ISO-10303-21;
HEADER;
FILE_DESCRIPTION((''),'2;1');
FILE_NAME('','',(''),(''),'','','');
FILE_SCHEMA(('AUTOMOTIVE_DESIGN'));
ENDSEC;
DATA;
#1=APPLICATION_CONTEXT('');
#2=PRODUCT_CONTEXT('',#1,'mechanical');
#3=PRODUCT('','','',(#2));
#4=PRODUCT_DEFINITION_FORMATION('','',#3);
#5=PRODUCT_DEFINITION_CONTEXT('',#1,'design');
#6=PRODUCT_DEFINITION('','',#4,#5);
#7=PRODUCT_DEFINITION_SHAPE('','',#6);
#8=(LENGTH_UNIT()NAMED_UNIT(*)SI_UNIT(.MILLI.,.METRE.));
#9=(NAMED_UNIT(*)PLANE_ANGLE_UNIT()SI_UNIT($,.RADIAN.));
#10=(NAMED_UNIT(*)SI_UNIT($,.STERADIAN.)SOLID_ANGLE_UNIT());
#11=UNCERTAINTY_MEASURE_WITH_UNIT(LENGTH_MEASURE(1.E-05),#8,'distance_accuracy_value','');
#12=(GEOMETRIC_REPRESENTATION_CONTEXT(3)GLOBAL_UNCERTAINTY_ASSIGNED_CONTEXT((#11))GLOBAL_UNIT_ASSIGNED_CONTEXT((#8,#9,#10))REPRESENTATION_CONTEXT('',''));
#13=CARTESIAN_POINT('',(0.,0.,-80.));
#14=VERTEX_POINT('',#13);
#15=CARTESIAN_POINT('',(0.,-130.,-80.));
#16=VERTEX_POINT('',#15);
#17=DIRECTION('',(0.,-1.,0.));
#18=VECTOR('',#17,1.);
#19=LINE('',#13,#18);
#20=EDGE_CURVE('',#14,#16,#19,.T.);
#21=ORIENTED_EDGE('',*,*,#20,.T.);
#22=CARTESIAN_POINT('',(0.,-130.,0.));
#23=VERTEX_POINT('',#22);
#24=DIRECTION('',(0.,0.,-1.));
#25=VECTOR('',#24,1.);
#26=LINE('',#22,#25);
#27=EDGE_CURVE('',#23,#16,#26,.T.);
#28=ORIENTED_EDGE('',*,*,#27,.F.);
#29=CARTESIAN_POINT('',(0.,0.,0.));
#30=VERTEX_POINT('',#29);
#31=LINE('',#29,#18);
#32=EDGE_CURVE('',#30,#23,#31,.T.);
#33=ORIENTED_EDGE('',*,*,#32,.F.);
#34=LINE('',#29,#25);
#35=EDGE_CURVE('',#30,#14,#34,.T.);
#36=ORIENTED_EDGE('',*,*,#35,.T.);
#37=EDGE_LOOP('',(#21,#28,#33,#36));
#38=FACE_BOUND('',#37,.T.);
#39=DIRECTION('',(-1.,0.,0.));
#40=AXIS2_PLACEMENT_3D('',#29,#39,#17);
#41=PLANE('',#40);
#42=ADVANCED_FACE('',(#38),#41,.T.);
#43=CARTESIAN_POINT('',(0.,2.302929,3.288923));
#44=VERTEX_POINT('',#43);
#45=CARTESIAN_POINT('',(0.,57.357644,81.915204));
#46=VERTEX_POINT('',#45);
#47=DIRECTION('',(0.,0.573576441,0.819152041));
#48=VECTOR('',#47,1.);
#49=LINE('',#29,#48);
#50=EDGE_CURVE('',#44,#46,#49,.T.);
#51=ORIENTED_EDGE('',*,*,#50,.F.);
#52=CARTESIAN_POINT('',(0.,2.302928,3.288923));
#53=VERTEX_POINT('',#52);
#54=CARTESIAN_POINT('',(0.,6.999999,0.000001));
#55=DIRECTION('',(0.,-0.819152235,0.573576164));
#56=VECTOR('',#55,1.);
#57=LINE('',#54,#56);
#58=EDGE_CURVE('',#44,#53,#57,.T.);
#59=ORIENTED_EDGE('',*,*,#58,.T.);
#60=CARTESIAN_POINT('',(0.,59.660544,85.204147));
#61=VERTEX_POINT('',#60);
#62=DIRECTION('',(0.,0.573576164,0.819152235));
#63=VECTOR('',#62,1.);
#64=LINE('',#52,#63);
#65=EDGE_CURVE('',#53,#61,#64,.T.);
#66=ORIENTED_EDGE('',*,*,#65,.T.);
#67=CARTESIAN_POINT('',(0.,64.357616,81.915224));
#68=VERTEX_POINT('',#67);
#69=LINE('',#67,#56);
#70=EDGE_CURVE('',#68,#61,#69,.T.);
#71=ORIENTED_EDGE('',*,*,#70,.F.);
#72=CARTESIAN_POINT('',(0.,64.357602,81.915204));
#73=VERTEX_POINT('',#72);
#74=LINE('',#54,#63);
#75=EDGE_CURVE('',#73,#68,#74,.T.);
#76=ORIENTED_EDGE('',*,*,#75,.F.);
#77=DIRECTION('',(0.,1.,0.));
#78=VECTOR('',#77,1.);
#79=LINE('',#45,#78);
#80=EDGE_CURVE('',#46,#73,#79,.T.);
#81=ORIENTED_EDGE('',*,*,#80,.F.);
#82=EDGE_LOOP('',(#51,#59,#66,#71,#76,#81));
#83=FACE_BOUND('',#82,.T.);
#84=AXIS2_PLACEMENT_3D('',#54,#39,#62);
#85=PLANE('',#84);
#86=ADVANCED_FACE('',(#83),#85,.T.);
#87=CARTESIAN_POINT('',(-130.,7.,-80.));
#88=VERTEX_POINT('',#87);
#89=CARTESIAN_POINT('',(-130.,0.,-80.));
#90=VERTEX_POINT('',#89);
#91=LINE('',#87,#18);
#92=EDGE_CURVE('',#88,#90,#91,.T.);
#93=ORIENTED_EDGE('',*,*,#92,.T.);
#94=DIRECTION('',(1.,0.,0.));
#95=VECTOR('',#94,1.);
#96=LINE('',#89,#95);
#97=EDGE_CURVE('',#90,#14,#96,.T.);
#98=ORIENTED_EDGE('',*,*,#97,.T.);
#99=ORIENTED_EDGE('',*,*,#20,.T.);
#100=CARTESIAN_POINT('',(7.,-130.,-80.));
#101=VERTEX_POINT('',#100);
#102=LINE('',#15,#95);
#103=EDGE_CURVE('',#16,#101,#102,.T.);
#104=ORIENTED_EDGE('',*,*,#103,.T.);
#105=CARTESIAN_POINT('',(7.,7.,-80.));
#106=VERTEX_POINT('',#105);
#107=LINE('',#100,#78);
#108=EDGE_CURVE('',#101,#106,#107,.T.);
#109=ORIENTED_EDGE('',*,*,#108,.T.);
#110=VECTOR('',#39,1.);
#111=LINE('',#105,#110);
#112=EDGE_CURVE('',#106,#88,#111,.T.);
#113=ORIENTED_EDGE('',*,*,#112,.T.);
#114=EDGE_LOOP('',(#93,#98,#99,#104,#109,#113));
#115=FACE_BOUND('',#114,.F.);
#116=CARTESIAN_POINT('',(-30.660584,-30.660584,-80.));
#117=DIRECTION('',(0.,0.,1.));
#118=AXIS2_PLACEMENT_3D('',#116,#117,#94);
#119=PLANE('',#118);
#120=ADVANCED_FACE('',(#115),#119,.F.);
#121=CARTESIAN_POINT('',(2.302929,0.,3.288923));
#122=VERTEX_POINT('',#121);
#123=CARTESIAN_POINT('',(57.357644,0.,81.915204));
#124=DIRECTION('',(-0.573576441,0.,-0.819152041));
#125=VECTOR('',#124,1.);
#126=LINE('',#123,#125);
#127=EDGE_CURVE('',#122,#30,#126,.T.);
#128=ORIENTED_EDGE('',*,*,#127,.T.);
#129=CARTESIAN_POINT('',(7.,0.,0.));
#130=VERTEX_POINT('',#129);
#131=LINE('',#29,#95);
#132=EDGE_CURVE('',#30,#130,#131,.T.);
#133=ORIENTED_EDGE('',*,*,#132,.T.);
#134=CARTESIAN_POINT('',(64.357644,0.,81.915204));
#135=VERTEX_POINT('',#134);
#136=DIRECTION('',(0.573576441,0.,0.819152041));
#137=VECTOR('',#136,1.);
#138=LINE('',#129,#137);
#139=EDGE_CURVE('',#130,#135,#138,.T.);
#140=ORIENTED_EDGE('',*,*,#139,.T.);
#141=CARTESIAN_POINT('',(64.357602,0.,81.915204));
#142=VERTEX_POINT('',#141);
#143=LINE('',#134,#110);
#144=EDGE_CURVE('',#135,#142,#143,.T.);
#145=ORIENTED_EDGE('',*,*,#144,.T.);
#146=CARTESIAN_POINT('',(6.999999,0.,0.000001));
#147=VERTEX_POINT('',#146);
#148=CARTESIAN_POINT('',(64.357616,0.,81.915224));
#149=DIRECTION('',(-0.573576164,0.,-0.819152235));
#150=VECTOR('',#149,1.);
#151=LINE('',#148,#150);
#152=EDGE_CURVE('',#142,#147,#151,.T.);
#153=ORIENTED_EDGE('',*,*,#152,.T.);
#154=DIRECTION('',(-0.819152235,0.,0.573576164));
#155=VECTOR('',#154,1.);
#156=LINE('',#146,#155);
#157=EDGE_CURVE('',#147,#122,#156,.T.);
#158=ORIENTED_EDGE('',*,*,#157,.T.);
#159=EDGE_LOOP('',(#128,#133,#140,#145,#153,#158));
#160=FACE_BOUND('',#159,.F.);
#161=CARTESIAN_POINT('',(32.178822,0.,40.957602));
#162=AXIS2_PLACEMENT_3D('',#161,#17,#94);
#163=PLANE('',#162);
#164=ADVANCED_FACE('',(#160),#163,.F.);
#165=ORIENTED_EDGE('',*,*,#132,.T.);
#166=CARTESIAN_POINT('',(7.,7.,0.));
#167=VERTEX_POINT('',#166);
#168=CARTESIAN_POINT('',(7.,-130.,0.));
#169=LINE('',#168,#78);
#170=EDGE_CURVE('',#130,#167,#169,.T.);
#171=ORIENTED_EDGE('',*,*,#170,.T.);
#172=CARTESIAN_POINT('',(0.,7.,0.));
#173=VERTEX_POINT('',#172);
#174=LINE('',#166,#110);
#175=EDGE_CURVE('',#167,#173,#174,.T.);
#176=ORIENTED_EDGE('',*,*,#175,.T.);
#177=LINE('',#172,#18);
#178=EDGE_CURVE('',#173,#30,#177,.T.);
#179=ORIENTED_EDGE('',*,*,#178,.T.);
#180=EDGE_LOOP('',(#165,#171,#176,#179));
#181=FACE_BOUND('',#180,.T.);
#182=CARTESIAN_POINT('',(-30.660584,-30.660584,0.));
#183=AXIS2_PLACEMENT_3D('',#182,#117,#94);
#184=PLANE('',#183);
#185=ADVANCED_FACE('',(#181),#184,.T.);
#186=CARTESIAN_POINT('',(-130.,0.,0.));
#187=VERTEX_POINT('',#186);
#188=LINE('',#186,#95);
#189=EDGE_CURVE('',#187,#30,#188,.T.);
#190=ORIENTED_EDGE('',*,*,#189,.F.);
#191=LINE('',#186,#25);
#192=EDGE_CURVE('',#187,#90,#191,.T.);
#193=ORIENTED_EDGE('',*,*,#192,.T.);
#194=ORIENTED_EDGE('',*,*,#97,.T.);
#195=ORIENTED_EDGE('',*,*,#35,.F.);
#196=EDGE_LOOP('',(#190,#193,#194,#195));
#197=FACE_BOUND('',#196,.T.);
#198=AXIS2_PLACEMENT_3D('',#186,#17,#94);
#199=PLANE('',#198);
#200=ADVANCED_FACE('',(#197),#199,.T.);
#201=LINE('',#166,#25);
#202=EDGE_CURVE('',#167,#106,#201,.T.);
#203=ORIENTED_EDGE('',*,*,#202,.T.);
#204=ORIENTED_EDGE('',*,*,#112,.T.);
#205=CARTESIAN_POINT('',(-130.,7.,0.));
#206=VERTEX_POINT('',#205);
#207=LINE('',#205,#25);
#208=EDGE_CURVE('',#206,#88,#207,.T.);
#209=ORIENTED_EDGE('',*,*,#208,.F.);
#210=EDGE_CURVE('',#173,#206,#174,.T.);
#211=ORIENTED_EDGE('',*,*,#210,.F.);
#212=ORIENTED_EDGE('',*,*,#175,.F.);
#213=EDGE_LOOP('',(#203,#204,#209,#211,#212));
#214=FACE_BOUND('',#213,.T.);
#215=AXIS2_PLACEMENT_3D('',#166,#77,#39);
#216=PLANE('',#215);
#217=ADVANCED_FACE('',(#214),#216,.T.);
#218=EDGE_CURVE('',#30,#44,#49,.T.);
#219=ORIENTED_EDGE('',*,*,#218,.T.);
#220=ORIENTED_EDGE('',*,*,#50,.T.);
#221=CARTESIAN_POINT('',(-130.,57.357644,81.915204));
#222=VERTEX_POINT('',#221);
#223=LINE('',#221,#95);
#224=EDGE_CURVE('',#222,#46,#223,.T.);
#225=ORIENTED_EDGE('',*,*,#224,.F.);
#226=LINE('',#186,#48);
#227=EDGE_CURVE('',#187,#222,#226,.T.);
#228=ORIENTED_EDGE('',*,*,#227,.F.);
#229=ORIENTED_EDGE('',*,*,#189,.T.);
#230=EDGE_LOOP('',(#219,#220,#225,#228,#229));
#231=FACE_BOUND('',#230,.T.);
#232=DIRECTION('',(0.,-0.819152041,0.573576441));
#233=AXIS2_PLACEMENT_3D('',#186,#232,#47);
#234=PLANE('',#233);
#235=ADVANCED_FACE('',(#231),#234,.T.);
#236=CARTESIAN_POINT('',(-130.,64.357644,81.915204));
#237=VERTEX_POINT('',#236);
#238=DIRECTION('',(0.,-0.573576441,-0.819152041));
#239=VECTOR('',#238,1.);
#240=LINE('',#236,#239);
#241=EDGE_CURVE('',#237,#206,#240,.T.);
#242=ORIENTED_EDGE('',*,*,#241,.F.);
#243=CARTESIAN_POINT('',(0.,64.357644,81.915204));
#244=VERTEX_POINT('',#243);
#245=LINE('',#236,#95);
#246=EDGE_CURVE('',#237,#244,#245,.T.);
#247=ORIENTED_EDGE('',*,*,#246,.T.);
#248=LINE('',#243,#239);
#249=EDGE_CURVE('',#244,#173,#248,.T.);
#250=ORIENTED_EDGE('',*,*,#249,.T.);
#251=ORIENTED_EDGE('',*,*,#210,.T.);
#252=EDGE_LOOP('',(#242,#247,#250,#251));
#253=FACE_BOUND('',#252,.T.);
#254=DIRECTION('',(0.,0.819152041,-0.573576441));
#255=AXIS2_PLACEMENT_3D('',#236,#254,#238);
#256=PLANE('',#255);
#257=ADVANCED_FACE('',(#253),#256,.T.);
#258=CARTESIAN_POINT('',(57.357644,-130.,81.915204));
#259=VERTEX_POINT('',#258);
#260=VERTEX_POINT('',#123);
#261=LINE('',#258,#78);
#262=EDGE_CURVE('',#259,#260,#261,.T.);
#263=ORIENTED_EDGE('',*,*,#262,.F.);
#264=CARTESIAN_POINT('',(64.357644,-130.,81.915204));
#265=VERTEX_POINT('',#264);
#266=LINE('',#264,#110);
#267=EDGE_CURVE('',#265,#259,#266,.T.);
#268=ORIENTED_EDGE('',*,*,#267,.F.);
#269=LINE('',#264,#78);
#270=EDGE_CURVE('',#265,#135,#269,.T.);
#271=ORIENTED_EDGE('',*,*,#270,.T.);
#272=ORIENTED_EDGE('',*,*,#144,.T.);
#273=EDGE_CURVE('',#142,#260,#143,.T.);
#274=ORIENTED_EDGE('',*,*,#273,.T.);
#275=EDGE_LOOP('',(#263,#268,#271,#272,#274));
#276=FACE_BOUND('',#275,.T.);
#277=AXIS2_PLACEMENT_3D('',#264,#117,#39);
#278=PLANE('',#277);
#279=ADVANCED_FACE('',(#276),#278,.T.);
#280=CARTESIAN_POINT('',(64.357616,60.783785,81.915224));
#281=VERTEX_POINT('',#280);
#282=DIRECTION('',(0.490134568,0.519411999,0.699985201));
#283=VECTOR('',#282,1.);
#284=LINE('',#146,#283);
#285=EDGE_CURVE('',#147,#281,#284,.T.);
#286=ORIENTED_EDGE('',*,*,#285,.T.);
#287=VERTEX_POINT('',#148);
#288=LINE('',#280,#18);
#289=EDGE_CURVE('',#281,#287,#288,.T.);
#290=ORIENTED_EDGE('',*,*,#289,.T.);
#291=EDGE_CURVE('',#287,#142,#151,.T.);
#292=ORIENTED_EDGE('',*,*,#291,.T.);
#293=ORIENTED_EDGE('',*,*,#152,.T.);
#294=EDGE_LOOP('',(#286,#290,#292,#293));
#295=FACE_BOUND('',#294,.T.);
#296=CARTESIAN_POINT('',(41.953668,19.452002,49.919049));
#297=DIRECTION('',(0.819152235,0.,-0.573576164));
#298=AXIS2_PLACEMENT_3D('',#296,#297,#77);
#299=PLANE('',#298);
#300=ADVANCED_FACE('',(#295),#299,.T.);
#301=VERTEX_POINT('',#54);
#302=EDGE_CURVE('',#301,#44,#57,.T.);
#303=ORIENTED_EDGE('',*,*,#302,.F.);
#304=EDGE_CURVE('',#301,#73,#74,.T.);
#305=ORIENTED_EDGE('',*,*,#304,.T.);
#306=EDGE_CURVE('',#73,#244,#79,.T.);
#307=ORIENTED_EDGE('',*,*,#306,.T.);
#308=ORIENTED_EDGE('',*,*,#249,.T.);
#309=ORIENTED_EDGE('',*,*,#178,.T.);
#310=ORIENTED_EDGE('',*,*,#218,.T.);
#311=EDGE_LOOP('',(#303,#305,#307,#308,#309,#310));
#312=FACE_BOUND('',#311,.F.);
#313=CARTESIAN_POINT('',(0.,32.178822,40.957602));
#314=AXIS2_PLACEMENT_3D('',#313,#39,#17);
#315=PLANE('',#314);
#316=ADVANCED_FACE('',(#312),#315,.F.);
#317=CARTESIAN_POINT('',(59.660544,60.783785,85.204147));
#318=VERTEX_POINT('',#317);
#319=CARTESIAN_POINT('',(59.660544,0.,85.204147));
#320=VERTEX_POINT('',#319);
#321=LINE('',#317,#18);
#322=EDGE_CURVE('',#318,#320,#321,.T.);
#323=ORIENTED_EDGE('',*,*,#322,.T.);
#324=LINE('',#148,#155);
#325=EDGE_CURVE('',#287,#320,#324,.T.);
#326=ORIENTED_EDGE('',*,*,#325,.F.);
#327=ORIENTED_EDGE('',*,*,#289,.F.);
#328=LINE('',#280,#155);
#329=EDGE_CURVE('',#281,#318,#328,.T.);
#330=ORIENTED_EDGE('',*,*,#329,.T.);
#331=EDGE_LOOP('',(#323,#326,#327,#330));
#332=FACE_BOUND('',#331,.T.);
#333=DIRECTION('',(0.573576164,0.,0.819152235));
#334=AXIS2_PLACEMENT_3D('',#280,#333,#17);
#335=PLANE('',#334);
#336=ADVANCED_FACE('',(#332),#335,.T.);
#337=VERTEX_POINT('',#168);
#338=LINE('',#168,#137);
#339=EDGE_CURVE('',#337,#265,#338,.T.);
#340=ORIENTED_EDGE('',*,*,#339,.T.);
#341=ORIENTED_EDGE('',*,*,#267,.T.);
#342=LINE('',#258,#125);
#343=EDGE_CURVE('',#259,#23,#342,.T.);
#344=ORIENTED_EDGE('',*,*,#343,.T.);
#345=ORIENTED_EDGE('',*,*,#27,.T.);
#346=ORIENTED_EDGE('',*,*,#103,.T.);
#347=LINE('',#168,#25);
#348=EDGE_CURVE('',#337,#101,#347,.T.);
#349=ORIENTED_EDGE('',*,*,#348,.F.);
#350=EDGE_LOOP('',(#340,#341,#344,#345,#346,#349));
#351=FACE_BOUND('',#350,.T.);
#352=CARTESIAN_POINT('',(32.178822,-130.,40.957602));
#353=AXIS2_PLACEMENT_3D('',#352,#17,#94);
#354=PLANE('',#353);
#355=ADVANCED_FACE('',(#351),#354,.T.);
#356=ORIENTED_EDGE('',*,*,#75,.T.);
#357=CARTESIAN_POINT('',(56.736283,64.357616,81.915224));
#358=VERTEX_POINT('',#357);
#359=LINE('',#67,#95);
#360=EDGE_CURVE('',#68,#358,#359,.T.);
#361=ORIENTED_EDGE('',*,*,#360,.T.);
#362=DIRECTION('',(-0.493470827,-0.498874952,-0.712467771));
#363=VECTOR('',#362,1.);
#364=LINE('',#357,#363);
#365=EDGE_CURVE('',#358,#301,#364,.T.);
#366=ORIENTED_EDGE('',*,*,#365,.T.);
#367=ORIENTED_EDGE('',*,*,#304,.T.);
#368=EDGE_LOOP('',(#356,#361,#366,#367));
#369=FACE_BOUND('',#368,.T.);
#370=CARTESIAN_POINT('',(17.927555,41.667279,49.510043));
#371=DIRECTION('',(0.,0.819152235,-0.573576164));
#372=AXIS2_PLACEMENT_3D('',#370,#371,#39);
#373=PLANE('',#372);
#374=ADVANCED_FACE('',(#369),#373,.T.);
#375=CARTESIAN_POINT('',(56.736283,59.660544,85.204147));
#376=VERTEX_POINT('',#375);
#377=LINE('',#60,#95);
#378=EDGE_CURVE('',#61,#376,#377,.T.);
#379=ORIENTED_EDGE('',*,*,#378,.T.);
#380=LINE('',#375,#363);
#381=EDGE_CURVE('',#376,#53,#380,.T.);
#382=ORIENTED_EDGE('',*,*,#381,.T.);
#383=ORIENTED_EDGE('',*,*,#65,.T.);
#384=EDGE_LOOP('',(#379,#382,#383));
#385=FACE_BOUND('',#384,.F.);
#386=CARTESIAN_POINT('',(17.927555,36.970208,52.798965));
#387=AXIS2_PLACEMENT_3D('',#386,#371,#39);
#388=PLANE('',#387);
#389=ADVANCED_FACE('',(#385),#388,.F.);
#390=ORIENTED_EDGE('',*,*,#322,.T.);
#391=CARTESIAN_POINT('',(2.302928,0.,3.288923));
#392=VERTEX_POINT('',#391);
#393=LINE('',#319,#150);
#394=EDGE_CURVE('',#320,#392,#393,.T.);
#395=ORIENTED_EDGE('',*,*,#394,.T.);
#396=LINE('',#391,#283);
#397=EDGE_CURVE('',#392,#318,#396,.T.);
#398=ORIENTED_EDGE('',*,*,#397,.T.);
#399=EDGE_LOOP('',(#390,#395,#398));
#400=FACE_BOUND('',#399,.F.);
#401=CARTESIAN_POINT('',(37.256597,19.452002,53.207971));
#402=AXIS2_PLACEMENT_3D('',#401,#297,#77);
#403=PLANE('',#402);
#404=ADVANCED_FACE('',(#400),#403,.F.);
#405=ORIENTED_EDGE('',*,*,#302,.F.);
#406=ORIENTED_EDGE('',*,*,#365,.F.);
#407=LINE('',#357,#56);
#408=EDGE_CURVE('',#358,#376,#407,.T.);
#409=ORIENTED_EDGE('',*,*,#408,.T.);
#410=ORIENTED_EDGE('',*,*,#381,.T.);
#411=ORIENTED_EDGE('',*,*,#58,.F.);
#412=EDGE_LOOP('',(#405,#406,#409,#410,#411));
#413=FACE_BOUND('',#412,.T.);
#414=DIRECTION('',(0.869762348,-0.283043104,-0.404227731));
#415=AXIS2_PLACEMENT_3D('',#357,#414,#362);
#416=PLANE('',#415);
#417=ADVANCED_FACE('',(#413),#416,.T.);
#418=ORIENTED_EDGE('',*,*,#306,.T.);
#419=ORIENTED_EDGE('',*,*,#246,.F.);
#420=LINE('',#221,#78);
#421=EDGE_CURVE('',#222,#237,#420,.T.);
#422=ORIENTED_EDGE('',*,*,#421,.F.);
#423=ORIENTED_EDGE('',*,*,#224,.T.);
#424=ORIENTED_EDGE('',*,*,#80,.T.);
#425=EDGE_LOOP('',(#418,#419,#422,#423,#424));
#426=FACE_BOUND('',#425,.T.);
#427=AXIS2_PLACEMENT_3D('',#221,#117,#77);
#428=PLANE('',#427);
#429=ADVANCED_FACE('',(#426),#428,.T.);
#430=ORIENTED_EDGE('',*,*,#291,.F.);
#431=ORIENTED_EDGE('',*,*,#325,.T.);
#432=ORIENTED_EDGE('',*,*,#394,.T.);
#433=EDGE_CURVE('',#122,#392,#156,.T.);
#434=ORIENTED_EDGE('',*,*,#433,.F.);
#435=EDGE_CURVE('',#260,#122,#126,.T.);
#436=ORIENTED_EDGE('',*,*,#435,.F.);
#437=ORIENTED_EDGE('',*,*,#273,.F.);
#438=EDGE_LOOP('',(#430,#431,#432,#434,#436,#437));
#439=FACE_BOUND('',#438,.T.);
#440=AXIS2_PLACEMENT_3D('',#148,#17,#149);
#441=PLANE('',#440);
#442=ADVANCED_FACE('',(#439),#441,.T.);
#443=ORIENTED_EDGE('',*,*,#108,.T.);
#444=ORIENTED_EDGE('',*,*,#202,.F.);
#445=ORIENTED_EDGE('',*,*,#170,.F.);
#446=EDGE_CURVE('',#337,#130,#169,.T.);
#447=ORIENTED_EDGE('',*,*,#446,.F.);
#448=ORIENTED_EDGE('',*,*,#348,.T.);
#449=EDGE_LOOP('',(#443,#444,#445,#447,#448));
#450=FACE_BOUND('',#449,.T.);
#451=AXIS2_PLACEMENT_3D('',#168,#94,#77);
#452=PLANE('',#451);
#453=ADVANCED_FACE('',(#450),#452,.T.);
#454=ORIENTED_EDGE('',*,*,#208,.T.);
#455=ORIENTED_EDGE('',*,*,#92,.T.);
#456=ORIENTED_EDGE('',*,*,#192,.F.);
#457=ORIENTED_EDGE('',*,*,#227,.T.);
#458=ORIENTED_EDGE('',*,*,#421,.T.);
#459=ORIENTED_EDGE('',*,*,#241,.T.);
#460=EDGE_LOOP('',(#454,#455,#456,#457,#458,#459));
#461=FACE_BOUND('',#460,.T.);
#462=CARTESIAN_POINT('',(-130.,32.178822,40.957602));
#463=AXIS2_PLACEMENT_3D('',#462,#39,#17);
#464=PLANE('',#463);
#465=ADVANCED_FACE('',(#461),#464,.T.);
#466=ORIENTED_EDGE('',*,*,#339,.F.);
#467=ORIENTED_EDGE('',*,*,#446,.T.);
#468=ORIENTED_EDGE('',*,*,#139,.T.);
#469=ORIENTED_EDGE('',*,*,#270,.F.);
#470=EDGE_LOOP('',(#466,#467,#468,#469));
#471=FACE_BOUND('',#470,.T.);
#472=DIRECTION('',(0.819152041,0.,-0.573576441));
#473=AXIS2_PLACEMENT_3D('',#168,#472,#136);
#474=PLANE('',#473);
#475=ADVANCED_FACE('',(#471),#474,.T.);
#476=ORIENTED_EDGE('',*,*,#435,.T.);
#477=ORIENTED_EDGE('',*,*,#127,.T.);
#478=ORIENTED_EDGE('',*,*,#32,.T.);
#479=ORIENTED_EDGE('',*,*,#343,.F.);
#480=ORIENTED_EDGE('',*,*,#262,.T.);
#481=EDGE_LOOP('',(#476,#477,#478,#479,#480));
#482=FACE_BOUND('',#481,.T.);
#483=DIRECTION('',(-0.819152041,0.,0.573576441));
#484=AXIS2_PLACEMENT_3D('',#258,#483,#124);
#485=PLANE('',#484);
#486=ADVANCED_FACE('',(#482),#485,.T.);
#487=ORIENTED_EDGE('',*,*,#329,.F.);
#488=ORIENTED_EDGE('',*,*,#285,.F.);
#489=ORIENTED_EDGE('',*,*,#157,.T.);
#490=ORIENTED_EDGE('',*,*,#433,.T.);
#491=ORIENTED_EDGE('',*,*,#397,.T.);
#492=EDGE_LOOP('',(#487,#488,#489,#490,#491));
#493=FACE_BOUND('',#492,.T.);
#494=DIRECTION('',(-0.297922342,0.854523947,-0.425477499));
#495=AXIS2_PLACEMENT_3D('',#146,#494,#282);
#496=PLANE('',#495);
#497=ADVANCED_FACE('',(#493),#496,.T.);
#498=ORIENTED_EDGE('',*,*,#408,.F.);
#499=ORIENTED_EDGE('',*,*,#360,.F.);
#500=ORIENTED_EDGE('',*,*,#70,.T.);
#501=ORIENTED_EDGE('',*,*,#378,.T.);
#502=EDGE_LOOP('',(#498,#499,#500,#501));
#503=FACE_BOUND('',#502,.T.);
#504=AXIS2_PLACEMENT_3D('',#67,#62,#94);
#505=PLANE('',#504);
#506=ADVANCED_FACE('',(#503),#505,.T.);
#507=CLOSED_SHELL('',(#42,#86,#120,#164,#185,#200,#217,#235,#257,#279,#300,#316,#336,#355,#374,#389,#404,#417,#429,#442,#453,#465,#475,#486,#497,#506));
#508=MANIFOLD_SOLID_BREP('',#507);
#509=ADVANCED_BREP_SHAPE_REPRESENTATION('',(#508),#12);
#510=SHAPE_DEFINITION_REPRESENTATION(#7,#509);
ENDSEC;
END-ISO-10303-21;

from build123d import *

# Parameters (mm, degrees)
F1_DEPTH = 80
F3_DEPTH = 130
F5_DEPTH = 130
F7_DEPTH = 5.734064
F9_DEPTH = 5.734064


with BuildPart() as f1:
    # F0 (on Top) → F1 (new body)
    with BuildSketch(Plane.XY):
        Polygon((-130, 7), (-130, 0), (0, 0), (0, -130), (7, -130), (7, 7), align=None)
    extrude(amount=-F1_DEPTH)

    # F2 (on face) → F3 (join)
    with BuildSketch(Plane.XZ.offset(130)):
        Polygon((57.357644, 81.915204), (0, 0), (7, 0), (64.357644, 81.915204), align=None)
    extrude(amount=-F3_DEPTH)

    # F4 (on face) → F5 (join)
    with BuildSketch(Plane(origin=(-130, 0, 0), x_dir=(0, -1, 0), z_dir=(-1, 0, 0))):
        Polygon((-7, 0), (0, 0), (-57.357644, 81.915204), (-64.357644, 81.915204), align=None)
    extrude(amount=-F5_DEPTH)

    # F6 (on face) → F7 (join, through all)
    with BuildSketch(Plane(origin=(4.697071, 0, -3.288924), x_dir=(0, 1, 0), z_dir=(0.819152, 0, -0.573576))):
        Polygon((60.783785, 104.015035), (0, 104.015035), (0, 4.015035), align=None)
    extrude(amount=-F7_DEPTH)

    # F8 (on face) → F9 (join, through all)
    with BuildSketch(Plane(origin=(0, 4.697071, -3.288924), x_dir=(-1, 0, 0), z_dir=(0, 0.819152, -0.573576))):
        Polygon((0, 4.015035), (0, 104.015035), (-56.736283, 104.015035), align=None)
    extrude(amount=-F9_DEPTH)


solid = f1.part
